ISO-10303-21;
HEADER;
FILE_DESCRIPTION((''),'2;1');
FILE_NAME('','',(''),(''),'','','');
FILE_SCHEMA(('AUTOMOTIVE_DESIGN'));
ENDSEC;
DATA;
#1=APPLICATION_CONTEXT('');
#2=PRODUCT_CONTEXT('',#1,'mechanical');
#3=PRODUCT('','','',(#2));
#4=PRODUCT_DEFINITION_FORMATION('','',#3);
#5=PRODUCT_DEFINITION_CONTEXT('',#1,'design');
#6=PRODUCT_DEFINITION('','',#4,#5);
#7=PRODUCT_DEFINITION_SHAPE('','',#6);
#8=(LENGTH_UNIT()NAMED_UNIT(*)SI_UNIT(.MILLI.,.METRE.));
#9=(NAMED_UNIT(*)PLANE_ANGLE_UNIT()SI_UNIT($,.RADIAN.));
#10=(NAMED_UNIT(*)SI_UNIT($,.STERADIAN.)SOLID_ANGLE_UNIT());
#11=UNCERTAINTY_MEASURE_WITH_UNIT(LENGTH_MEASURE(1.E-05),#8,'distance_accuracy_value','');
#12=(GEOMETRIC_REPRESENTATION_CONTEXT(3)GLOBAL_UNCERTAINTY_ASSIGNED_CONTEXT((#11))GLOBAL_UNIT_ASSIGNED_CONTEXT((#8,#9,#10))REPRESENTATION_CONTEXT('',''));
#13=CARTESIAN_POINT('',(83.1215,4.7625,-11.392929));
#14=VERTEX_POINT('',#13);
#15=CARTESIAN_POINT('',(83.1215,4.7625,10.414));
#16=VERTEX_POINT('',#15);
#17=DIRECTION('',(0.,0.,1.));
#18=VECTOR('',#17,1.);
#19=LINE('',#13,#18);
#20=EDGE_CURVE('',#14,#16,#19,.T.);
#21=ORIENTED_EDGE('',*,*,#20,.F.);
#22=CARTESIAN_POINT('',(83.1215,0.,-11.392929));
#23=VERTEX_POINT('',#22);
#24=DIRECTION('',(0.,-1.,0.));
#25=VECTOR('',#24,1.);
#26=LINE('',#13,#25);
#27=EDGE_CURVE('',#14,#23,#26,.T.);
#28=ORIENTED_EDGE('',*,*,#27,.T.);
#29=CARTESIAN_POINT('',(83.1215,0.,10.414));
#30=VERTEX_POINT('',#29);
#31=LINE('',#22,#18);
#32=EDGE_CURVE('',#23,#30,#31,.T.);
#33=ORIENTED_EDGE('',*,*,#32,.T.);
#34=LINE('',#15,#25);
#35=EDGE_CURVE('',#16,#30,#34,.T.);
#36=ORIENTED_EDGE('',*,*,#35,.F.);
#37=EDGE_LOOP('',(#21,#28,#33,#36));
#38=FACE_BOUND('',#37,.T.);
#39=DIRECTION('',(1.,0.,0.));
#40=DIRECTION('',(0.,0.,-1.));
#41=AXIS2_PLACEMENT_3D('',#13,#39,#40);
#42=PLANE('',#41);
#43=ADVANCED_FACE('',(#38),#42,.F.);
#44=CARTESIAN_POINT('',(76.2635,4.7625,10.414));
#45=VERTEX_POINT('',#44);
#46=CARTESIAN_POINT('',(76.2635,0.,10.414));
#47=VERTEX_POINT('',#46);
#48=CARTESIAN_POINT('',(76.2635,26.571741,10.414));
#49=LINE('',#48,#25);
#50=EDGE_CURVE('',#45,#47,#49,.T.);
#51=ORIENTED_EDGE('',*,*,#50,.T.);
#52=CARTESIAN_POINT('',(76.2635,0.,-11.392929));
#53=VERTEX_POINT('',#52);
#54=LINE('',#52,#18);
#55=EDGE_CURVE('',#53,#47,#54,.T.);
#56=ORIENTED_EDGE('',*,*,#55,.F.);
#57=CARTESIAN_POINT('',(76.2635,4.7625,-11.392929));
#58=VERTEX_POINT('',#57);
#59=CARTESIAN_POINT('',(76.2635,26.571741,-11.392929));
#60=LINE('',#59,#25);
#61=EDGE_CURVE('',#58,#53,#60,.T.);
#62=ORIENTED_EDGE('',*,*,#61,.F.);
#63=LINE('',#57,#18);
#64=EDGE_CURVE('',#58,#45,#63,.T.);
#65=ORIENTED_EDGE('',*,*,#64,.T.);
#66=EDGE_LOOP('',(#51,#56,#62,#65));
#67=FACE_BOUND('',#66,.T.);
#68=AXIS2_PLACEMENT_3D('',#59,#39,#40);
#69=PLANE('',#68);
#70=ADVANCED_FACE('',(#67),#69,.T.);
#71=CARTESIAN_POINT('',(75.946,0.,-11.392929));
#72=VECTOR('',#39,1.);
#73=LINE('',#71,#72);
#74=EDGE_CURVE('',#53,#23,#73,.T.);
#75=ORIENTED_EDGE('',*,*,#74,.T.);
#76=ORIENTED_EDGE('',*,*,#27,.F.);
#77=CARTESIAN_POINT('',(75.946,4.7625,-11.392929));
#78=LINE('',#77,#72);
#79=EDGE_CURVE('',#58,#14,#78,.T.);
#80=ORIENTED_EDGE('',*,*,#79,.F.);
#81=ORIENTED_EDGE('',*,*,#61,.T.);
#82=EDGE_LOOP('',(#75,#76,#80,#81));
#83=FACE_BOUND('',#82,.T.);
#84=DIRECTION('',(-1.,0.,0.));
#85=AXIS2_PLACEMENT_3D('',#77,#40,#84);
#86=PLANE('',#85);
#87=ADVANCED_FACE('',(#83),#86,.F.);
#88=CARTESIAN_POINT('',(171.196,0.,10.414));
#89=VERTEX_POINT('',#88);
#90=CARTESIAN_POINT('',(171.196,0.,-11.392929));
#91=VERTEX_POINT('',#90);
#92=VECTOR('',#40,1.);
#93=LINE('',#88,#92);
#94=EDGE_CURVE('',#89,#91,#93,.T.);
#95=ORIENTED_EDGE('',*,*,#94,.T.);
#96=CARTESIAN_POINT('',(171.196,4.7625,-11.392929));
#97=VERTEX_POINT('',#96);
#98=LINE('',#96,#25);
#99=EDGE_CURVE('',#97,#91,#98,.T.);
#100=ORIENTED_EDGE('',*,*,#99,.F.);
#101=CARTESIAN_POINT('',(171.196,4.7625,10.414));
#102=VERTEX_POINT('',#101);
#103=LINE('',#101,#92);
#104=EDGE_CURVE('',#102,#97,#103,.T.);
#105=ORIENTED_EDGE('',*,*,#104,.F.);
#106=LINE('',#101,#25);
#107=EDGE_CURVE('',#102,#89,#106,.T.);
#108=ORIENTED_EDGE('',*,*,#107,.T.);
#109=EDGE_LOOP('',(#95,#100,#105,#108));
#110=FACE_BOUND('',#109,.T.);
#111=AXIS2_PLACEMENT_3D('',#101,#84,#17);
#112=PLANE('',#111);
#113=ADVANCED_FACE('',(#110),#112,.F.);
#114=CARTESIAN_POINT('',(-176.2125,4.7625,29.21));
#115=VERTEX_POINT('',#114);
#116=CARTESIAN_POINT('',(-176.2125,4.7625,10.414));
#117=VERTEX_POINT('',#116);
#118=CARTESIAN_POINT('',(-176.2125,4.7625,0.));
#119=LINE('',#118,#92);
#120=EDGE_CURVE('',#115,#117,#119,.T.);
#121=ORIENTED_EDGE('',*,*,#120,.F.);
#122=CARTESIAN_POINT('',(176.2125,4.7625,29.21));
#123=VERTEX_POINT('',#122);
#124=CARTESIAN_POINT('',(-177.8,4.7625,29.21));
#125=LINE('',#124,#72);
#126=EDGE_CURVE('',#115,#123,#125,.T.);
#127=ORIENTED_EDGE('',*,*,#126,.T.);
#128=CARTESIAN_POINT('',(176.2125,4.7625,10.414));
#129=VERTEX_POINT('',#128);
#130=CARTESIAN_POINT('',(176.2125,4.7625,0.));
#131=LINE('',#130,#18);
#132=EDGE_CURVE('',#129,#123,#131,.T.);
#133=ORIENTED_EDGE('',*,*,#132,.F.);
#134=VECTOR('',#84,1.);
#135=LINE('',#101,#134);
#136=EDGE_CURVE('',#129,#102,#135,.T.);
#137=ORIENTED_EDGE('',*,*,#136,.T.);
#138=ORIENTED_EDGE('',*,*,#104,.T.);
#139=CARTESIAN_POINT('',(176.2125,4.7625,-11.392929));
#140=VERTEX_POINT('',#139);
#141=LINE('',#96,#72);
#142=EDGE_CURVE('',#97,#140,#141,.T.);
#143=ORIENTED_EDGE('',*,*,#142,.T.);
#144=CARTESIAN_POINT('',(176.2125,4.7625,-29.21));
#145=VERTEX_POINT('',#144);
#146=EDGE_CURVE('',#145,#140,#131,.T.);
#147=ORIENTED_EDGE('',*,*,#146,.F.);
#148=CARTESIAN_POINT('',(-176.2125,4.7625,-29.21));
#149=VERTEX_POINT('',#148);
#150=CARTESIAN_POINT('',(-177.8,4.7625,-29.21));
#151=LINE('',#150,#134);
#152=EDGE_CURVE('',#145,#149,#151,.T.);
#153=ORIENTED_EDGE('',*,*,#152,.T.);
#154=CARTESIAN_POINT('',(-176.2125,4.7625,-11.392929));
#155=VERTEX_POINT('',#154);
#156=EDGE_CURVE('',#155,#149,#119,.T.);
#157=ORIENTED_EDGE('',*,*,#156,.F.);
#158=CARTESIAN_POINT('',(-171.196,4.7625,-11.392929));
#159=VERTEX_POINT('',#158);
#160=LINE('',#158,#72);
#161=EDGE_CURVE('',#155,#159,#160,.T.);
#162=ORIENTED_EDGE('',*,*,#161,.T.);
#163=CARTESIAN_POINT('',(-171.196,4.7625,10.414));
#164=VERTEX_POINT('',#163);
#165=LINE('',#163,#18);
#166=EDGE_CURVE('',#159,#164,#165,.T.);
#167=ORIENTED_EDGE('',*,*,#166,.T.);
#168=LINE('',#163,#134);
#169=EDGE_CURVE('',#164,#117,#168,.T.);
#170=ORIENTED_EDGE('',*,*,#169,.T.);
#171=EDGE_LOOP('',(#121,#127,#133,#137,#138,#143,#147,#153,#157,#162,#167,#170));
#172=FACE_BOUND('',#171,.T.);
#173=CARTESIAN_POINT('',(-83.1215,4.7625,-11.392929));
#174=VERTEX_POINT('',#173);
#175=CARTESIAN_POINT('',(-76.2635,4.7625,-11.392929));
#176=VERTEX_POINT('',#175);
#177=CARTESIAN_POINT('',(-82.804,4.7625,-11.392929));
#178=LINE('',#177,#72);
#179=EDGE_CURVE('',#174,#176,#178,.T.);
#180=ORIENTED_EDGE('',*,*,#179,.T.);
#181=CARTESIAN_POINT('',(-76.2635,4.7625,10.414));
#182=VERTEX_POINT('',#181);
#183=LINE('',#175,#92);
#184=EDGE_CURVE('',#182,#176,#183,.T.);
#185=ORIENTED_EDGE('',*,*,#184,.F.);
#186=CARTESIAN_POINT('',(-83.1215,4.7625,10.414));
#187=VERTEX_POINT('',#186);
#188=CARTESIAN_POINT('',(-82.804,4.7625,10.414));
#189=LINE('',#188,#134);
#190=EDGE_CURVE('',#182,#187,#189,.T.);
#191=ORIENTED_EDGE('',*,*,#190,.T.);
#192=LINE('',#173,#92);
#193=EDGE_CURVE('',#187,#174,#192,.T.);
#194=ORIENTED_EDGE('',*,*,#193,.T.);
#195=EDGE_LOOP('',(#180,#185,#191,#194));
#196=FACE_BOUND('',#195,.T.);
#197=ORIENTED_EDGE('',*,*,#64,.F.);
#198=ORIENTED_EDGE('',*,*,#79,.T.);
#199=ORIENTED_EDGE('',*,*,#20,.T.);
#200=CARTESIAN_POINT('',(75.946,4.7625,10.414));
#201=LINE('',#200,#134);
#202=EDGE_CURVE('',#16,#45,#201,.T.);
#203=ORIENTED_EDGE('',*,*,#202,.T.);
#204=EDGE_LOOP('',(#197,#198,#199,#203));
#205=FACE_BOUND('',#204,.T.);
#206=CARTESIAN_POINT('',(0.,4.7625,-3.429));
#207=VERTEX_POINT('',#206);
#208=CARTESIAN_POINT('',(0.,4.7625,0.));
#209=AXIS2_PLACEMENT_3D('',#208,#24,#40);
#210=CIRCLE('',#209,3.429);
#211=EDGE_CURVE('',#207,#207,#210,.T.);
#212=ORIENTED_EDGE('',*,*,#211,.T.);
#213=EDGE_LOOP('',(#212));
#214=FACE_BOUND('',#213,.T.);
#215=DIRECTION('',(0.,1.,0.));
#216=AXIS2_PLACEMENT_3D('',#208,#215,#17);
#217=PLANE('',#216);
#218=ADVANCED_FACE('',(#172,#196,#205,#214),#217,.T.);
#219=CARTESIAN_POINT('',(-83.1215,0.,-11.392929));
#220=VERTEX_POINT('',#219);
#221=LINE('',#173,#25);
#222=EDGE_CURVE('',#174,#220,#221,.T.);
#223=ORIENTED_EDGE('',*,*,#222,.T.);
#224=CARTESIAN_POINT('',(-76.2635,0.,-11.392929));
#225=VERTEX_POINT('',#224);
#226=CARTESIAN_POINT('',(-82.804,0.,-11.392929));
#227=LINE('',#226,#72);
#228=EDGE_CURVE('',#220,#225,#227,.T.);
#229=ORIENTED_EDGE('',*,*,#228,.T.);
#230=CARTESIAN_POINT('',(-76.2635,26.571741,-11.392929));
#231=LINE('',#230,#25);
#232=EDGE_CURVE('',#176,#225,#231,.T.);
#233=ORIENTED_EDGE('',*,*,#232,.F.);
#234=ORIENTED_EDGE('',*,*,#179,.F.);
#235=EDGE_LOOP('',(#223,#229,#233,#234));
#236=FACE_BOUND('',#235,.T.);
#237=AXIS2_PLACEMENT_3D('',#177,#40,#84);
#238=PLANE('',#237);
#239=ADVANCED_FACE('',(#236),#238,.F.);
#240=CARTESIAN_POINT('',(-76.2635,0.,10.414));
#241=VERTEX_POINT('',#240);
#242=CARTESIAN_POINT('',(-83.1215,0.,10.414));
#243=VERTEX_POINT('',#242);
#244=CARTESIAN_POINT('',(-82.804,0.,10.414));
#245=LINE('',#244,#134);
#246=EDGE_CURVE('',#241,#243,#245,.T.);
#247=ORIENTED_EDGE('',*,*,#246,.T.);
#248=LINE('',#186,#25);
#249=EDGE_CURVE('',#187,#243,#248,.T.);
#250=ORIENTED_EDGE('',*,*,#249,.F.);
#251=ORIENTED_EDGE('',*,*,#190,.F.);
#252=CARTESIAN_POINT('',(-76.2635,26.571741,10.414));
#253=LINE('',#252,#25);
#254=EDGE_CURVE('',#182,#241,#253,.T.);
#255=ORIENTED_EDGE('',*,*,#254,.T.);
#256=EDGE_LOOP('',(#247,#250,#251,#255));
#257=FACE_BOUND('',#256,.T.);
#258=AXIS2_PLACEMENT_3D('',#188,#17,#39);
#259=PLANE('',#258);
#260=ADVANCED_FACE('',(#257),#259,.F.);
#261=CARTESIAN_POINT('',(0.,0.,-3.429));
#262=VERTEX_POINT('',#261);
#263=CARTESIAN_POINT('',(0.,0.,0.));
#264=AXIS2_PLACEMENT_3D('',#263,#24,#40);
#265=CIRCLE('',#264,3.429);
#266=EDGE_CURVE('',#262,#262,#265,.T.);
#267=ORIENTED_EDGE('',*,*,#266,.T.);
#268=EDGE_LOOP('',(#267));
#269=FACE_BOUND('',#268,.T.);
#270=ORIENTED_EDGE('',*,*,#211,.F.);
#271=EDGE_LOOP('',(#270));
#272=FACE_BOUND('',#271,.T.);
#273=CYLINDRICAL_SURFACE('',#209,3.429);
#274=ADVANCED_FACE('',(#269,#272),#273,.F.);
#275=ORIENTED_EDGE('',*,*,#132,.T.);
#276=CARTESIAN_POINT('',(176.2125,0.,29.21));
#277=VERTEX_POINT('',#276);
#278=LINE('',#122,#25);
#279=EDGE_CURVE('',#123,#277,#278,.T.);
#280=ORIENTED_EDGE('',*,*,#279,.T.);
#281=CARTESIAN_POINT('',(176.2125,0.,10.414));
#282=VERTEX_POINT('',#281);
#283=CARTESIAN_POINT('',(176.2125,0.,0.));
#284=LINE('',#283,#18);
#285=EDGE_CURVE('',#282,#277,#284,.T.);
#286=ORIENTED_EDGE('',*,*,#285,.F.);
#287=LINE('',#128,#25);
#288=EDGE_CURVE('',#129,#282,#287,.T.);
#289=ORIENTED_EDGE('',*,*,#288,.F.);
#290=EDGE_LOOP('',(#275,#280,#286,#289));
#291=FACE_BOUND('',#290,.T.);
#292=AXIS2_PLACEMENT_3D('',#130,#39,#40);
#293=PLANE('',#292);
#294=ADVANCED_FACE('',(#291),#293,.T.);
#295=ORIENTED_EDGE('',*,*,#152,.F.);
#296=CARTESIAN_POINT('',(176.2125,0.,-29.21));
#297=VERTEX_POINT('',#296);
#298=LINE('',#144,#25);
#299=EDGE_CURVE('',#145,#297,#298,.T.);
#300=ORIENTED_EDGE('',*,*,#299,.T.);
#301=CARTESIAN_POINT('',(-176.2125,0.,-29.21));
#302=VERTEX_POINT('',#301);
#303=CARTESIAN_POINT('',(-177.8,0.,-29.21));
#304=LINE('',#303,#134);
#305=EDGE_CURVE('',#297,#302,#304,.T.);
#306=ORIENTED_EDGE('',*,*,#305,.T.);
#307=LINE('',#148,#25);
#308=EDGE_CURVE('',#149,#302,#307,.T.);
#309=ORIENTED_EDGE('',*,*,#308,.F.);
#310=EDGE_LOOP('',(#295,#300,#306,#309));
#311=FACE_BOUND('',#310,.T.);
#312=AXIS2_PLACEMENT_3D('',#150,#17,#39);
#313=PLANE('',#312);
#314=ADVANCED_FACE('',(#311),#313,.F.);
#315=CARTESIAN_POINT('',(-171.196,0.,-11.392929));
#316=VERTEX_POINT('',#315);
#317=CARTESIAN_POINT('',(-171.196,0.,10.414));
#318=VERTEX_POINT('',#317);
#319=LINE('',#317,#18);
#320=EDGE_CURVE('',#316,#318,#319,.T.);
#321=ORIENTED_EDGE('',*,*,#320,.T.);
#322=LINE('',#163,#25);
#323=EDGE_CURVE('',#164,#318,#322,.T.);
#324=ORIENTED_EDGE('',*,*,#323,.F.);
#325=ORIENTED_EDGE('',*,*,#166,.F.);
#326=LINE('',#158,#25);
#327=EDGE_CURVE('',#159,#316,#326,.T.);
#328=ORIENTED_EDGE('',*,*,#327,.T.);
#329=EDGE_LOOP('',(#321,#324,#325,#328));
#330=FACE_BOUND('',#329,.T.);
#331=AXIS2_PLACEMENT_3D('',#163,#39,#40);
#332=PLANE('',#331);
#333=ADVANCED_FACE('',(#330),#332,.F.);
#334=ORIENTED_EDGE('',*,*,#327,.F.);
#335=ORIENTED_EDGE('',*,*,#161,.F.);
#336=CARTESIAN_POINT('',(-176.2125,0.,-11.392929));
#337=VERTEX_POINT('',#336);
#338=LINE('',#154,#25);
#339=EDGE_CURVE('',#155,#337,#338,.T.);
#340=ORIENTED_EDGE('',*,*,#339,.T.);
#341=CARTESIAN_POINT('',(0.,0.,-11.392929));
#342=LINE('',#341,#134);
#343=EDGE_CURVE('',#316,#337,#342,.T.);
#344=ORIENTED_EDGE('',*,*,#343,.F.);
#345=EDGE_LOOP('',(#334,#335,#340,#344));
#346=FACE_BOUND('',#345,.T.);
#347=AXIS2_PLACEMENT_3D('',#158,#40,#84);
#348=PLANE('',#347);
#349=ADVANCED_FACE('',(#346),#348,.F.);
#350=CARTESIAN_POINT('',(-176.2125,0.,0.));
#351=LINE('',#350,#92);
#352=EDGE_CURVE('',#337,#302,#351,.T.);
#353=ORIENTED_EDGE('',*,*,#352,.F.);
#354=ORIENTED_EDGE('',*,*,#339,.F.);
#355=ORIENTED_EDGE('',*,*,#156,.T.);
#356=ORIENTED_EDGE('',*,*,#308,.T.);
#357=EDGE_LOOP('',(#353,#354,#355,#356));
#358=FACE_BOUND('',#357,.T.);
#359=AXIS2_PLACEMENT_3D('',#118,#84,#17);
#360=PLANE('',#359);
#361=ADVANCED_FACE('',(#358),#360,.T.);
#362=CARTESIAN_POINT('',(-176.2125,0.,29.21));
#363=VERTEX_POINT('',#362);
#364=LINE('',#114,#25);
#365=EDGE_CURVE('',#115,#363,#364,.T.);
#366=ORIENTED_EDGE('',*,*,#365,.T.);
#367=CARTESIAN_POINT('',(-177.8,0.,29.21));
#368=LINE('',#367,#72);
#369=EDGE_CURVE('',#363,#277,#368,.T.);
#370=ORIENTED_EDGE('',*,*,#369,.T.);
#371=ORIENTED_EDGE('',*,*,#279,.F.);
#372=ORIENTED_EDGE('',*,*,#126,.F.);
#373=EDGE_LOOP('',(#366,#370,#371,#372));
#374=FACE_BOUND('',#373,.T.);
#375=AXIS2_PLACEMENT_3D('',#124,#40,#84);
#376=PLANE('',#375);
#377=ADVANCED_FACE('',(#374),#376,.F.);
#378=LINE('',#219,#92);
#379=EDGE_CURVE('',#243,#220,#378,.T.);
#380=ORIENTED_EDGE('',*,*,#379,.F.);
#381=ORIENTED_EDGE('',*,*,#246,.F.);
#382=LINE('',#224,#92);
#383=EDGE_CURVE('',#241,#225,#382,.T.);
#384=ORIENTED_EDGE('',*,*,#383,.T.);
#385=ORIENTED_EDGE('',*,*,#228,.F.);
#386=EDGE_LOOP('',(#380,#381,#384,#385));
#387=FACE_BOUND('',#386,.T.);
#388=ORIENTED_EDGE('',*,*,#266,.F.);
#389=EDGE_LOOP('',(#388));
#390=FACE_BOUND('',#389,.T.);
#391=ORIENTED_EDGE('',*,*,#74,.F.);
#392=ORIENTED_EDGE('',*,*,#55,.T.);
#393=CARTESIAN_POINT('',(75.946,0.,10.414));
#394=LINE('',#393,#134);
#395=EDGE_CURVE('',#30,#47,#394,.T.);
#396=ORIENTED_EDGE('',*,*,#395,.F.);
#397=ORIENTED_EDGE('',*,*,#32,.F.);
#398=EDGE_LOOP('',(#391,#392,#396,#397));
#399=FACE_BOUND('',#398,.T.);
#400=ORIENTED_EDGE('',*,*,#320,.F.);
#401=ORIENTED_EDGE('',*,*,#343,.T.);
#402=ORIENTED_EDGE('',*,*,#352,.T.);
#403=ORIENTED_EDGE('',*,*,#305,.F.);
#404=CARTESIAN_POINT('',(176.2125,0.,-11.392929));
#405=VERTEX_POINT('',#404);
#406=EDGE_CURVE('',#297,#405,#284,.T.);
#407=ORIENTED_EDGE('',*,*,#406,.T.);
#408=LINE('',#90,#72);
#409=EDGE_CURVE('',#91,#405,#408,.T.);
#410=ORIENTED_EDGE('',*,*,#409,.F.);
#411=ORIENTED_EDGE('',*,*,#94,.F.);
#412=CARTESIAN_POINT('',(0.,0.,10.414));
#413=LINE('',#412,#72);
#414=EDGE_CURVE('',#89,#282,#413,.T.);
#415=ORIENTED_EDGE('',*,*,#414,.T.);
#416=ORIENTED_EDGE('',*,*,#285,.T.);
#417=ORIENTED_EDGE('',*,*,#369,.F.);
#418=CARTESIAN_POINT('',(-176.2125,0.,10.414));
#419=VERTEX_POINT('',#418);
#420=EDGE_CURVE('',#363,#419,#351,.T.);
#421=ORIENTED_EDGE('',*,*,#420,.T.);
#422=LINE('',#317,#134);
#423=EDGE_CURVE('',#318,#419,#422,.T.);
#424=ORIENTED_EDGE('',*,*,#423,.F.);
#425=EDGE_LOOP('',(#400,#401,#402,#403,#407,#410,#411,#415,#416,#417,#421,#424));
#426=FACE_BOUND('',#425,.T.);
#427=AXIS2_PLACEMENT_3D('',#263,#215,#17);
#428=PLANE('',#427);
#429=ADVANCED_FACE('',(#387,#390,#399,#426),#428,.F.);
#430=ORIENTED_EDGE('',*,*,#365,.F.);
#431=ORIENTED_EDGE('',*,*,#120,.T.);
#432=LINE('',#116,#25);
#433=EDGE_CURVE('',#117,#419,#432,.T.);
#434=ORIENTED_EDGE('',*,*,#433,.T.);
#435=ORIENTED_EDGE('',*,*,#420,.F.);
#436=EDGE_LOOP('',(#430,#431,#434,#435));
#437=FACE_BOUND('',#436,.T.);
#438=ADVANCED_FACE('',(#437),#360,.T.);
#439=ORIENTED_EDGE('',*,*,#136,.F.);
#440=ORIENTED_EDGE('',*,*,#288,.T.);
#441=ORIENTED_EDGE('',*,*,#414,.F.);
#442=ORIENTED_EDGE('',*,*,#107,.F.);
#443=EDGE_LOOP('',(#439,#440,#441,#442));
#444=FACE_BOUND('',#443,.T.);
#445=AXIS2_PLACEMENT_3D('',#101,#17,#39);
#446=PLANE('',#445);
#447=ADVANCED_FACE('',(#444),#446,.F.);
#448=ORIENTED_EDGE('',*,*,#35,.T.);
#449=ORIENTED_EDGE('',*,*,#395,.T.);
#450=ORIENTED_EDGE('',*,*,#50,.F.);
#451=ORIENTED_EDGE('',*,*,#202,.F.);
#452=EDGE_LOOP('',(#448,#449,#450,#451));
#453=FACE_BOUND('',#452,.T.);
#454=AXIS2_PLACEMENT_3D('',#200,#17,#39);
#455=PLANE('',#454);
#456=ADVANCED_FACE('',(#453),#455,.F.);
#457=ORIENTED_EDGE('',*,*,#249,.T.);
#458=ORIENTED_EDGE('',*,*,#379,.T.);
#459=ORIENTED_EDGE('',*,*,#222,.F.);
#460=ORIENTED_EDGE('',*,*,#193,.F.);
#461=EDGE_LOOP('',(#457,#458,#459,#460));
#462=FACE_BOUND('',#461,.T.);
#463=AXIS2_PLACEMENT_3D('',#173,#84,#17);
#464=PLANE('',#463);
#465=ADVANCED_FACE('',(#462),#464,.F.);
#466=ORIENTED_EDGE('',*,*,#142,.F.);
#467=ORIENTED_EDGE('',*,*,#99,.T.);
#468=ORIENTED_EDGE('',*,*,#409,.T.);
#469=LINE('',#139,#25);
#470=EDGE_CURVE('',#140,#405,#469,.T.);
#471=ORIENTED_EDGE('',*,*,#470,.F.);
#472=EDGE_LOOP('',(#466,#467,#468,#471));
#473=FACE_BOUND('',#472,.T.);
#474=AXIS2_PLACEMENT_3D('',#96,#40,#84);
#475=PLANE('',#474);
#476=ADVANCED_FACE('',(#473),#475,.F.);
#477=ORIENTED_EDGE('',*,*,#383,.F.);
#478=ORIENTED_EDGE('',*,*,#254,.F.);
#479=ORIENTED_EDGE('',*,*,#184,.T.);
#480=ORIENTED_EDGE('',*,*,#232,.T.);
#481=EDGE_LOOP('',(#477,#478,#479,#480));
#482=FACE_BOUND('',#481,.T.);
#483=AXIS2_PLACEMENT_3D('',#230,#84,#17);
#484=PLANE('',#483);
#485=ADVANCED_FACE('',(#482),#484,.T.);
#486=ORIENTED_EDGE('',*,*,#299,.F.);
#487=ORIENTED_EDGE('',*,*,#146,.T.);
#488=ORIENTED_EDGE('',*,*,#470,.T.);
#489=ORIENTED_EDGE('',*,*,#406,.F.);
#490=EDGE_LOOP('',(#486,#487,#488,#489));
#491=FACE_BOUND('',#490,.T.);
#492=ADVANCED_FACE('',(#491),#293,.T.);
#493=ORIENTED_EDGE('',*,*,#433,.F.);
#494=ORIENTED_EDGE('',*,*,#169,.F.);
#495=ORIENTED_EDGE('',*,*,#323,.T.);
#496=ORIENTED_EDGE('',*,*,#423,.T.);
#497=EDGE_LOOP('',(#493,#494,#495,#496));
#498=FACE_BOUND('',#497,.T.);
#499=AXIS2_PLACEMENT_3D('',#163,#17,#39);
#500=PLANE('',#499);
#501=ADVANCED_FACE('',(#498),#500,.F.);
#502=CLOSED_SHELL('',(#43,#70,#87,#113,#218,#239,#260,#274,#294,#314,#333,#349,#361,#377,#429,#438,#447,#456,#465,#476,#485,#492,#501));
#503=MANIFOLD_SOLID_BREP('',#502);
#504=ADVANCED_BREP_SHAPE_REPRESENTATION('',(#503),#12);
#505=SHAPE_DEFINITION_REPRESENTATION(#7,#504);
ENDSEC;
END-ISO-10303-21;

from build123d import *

# Parameters (mm, degrees)
SKETCH1_W           = 355.6
SKETCH1_H           = 58.42
BOSS_EXTRUDE1_DEPTH = 4.7625
SKETCH2_W           = 6.858
SKETCH2_H           = 21.806929344
SKETCH2_W_2         = 6.35
SKETCH2_H_2         = 21.298929344
CUT_EXTRUDE1_DEPTH  = 181.246346721
SKETCH3_W           = 1.5875
SKETCH3_H           = 17.817070656
SKETCH3_H_2         = 18.796
CUT_EXTRUDE2_DEPTH  = 181.246346721
SKETCH4_W           = 0.3175
SKETCH4_H           = 21.806929344
BOSS_EXTRUDE2_DEPTH = 4.7625
SKETCH5_W           = 0.3175
SKETCH5_H           = 21.806929344
CUT_EXTRUDE3_DEPTH  = 179.68058278
SKETCH6_R           = 3.429
CUT_EXTRUDE4_DEPTH  = 179.68058278


with BuildPart() as part:
    # Sketch1 → Boss-Extrude1 (new body)
    with BuildSketch(Plane(origin=(0, 0, 0), x_dir=(1, 0, 0), z_dir=(0, 1, 0))):
        Rectangle(SKETCH1_W, SKETCH1_H)
    extrude(amount=BOSS_EXTRUDE1_DEPTH)

    # Sketch2 → Cut-Extrude1 (cut, through all)
    with BuildSketch(Plane(origin=(0, 0, 0), x_dir=(-1, 0, 0), z_dir=(0, -1, 0))):
        with Locations((174.625, 0.489464672)):
            Rectangle(SKETCH2_W, SKETCH2_H)
        with Locations((174.625, 0.489464672)):
            Rectangle(SKETCH2_W_2, SKETCH2_H_2, mode=Mode.SUBTRACT)
        with Locations((79.375, 0.489464672)):
            Rectangle(SKETCH2_W, SKETCH2_H)
        with Locations((79.375, 0.489464672)):
            Rectangle(SKETCH2_W_2, SKETCH2_H_2, mode=Mode.SUBTRACT)
        with Locations((-79.375, 0.489464672)):
            Rectangle(SKETCH2_W, SKETCH2_H)
        with Locations((-79.375, 0.489464672)):
            Rectangle(SKETCH2_W_2, SKETCH2_H_2, mode=Mode.SUBTRACT)
        with Locations((-174.625, 0.489464672)):
            Rectangle(SKETCH2_W, SKETCH2_H)
        with Locations((-174.625, 0.489464672)):
            Rectangle(SKETCH2_W_2, SKETCH2_H_2, mode=Mode.SUBTRACT)
    extrude(amount=-CUT_EXTRUDE1_DEPTH, mode=Mode.SUBTRACT)


with BuildPart() as cut_extrude1_kept_piece:
    # of the separate pieces the step leaves, the one the design keeps (cut_extrude1_pieces_kept)
    add(part.part.solids().sort_by_distance((-177.8, 0, -29.21))[0])

    # Sketch3 → Cut-Extrude2 (cut, through all)
    with BuildSketch(Plane.XZ):
        with Locations((177.00625, -20.301464672)):
            Rectangle(SKETCH3_W, SKETCH3_H)
        with Locations((177.00625, 19.812)):
            Rectangle(SKETCH3_W, SKETCH3_H_2)
        with Locations((-177.00625, -20.301464672)):
            Rectangle(SKETCH3_W, SKETCH3_H)
        with Locations((-177.00625, 19.812)):
            Rectangle(SKETCH3_W, SKETCH3_H_2)
    extrude(amount=-CUT_EXTRUDE2_DEPTH, mode=Mode.SUBTRACT)

    # Sketch4 → Boss-Extrude2 (add)
    with BuildSketch(Plane.XZ):
        with Locations((76.10475, -0.489464672)):
            Rectangle(SKETCH4_W, SKETCH4_H)
        with Locations((-76.10475, -0.489464672)):
            Rectangle(SKETCH4_W, SKETCH4_H)
    extrude(amount=-BOSS_EXTRUDE2_DEPTH)

    # Sketch5 → Cut-Extrude3 (cut, through all)
    with BuildSketch(Plane.XZ):
        with Locations((-82.96275, -0.489464672)):
            Rectangle(SKETCH5_W, SKETCH5_H)
        with Locations((82.96275, -0.489464672)):
            Rectangle(SKETCH5_W, SKETCH5_H)
    extrude(amount=-CUT_EXTRUDE3_DEPTH, mode=Mode.SUBTRACT)

    # Sketch6 → Cut-Extrude4 (cut, through all)
    with BuildSketch(Plane.XZ):
        with Locations(Location((0, 0, 0), (0, 0, 270))):
            Circle(SKETCH6_R)
    extrude(amount=-CUT_EXTRUDE4_DEPTH, mode=Mode.SUBTRACT)


solid = cut_extrude1_kept_piece.part
